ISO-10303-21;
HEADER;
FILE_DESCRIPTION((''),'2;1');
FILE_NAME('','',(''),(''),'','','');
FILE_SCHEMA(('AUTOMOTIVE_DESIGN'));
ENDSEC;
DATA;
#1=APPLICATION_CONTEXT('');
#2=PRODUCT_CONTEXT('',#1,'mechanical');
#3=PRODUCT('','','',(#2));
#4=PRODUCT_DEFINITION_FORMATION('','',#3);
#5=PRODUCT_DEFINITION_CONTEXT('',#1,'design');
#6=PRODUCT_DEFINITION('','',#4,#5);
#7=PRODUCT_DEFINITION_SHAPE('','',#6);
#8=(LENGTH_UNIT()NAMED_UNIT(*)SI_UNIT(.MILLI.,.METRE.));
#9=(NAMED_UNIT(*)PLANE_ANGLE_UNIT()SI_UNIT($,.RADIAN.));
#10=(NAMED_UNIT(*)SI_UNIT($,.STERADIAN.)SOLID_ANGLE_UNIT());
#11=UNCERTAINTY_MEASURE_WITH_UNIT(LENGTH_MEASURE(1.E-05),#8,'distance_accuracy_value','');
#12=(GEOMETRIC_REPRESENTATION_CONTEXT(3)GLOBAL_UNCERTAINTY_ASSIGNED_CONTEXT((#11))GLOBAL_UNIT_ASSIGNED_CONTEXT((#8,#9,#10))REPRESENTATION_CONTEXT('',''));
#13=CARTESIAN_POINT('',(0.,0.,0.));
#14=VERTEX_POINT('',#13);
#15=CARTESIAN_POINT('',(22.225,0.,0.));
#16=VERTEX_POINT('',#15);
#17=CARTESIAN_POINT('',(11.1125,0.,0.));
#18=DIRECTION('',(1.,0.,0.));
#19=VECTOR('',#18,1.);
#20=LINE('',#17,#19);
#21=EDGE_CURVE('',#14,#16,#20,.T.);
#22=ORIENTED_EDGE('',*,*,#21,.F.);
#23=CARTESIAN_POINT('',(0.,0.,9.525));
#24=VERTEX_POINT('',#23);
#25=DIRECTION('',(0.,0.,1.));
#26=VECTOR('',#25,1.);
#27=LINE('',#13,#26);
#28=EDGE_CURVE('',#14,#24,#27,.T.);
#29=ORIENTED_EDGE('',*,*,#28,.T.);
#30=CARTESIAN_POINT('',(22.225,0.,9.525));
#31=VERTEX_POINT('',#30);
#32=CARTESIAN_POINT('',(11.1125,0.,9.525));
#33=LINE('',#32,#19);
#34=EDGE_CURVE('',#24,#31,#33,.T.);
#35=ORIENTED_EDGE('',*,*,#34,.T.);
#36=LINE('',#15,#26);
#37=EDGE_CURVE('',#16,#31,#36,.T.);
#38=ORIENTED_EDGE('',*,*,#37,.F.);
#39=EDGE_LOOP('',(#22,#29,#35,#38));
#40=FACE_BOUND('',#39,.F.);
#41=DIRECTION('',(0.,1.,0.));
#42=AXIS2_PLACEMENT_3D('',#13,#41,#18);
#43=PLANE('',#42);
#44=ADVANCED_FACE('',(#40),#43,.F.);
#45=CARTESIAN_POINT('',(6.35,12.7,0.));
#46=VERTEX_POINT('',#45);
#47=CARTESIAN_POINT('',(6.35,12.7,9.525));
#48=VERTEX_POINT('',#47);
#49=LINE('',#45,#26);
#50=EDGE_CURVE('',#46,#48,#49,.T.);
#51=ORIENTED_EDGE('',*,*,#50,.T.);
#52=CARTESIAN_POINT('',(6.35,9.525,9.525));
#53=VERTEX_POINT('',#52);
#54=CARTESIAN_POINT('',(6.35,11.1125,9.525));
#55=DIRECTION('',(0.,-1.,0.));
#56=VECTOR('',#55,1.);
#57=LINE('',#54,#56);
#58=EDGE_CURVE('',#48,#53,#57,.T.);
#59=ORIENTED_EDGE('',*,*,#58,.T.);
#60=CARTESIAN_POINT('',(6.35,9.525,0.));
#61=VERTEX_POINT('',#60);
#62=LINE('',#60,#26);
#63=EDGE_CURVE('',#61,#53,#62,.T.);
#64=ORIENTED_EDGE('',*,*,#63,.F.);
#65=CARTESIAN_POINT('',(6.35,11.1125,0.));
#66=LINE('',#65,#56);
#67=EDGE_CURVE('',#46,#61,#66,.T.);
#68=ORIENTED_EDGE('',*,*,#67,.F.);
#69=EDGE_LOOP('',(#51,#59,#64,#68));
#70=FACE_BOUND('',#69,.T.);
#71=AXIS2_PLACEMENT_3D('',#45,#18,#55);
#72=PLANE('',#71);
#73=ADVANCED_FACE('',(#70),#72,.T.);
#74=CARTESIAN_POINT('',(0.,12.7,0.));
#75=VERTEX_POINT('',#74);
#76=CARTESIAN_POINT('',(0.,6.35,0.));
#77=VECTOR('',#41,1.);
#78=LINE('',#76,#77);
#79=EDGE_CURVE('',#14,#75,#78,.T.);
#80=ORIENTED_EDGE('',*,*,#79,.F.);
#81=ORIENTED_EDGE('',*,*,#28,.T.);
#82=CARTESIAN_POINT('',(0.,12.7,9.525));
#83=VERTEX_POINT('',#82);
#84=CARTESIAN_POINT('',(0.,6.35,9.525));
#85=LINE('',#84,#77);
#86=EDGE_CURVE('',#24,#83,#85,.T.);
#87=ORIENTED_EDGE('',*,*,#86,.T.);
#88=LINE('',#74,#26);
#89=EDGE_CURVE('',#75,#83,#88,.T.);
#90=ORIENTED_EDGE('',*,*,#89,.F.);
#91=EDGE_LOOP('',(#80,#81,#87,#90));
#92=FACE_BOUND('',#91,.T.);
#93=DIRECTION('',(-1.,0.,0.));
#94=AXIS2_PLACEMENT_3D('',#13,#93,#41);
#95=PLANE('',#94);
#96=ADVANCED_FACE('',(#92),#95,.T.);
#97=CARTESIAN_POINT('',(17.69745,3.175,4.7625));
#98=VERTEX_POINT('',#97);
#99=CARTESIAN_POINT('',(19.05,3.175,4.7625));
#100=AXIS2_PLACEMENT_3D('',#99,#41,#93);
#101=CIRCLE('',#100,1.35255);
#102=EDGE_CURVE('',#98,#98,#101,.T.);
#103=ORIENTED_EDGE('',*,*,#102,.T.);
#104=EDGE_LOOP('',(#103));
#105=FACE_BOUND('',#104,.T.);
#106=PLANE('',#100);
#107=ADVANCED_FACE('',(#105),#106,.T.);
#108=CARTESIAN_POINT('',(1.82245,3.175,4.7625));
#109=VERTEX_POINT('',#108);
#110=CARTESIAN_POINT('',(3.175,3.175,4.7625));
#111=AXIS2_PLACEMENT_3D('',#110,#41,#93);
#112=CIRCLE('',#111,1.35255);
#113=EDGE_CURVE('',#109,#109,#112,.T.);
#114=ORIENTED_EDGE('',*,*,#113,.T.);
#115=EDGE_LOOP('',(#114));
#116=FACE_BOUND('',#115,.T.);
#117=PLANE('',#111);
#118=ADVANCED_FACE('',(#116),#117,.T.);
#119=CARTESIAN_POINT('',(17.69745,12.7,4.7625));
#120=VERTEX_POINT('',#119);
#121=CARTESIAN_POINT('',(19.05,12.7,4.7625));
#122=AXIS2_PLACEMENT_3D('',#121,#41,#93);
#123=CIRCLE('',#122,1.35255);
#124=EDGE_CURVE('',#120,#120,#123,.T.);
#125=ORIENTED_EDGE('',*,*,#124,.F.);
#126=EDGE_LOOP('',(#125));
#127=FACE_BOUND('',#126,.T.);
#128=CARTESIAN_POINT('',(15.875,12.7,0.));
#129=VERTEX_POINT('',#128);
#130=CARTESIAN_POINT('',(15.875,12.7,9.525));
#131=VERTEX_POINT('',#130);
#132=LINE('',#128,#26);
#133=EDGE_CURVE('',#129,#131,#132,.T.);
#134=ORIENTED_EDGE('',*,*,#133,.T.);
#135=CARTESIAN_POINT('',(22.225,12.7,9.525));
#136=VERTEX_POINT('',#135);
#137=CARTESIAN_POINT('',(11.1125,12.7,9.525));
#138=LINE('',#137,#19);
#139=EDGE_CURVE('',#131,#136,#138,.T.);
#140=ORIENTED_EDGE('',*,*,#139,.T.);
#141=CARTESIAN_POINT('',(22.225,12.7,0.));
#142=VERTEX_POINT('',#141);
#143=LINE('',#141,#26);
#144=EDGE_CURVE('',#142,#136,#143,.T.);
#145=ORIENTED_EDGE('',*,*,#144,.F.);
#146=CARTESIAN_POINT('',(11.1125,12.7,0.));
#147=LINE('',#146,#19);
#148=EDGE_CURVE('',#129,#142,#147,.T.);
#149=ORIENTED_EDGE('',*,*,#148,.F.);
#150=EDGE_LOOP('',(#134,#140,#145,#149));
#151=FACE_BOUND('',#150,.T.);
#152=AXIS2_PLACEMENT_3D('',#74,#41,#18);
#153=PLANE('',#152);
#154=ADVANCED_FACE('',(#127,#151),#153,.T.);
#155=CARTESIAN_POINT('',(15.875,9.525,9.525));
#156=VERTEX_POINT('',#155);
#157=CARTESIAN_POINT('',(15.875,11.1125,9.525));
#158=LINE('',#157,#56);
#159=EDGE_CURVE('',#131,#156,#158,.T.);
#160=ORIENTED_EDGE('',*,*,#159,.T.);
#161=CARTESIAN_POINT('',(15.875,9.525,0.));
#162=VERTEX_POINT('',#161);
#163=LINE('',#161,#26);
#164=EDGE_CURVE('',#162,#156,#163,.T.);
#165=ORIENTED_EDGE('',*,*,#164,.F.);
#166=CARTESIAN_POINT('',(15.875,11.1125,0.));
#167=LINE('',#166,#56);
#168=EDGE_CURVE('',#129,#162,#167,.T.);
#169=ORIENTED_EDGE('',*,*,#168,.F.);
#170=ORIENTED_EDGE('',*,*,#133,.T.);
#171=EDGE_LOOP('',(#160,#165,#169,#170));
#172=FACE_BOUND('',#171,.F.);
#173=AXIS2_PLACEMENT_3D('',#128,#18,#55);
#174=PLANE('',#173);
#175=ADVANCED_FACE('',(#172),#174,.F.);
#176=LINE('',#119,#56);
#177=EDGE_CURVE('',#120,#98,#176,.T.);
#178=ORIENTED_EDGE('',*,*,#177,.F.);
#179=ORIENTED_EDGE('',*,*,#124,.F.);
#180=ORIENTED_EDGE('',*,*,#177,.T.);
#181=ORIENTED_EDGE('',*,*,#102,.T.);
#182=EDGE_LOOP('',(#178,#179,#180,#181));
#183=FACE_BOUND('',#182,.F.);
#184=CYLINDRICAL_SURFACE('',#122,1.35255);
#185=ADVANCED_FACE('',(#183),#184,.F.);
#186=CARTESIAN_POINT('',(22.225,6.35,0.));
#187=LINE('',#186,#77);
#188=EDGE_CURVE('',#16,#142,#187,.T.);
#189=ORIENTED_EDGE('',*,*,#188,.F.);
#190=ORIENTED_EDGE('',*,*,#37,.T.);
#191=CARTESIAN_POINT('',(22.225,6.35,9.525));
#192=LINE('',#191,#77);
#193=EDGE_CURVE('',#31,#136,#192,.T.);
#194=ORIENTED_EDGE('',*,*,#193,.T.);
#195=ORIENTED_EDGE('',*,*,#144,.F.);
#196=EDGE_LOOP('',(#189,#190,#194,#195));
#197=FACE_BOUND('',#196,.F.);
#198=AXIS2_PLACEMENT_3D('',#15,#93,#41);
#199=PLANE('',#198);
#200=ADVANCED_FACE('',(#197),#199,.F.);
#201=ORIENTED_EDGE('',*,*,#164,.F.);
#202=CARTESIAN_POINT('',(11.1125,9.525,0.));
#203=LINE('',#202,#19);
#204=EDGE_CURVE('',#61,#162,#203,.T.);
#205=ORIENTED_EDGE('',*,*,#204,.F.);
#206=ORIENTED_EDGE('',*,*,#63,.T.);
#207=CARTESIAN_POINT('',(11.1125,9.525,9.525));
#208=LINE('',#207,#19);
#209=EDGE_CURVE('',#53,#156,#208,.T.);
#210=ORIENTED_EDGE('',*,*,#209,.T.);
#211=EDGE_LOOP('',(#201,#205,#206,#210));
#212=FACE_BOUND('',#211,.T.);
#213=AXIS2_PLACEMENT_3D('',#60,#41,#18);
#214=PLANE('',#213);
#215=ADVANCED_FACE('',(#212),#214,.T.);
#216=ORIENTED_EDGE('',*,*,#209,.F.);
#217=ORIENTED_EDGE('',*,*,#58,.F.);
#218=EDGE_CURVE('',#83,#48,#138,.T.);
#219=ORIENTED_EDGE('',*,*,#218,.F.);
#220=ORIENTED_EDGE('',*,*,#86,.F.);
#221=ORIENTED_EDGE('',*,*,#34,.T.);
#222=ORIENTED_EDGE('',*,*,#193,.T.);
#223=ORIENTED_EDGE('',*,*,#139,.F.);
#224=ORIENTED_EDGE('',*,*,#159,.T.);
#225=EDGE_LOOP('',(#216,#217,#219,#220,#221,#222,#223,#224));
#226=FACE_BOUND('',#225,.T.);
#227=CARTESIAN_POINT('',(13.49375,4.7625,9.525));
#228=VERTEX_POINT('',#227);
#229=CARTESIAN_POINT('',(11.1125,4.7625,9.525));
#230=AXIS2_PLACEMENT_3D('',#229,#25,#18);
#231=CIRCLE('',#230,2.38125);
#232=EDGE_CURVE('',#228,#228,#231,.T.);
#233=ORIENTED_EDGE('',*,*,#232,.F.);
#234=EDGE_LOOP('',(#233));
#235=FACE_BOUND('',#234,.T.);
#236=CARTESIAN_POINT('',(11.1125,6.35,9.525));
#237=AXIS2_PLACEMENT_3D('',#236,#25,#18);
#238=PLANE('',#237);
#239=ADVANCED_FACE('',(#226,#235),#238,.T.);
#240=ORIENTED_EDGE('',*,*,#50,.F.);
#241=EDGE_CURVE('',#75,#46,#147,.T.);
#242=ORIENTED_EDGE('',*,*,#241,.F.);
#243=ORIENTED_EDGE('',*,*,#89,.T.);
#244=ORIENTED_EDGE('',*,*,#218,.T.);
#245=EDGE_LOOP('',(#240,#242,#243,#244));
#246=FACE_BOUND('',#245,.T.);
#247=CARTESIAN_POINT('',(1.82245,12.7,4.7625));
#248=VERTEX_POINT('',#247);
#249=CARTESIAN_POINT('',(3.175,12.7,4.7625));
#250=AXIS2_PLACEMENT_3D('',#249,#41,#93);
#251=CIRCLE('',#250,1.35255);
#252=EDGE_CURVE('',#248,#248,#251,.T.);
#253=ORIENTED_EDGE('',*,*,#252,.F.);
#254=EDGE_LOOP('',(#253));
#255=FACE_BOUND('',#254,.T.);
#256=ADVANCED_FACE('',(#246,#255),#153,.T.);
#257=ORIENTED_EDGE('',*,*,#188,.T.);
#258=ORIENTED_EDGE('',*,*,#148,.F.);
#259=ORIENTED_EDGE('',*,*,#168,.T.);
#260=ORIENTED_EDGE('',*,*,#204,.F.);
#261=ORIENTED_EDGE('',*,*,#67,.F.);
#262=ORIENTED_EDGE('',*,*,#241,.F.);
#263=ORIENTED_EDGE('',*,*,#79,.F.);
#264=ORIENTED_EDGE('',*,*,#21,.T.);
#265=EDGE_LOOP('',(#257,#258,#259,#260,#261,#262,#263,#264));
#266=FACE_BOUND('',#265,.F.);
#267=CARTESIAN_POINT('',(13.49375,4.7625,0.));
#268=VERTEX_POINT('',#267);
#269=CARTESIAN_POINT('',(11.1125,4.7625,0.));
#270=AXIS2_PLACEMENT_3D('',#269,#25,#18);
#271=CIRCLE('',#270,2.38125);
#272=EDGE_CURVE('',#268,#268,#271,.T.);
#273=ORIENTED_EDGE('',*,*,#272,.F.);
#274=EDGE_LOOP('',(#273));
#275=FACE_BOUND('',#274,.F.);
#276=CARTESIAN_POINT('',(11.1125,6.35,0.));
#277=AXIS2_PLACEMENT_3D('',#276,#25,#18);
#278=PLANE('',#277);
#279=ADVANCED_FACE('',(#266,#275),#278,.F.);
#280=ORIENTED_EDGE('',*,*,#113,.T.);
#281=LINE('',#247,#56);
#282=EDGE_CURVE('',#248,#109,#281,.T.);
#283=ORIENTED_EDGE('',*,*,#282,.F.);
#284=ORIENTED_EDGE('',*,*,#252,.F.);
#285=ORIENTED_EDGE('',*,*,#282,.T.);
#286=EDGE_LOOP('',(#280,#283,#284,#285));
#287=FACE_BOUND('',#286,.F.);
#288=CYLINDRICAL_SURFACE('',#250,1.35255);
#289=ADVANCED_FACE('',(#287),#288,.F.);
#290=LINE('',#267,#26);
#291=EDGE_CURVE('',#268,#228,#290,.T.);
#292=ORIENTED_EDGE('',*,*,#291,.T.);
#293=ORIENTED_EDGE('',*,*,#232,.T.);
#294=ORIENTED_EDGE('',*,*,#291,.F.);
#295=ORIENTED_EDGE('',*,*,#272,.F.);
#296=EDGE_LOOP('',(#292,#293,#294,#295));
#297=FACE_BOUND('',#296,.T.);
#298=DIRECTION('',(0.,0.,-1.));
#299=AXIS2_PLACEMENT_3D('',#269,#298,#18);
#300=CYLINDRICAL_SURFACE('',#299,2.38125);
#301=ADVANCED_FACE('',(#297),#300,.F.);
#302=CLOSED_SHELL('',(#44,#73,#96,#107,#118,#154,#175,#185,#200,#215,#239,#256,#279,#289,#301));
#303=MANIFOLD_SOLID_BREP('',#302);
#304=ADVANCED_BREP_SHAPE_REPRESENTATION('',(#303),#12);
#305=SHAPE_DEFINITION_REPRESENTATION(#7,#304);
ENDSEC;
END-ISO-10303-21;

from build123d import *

# Parameters (mm, degrees)
F0_W     = 22.225
F0_H     = 12.7
F0_R     = 2.38125
F1_DEPTH = 9.525
F2_R     = 1.35255
F3_DEPTH = 9.525
F4_W     = 9.525
F4_H     = 3.175
F5_DEPTH = 9.525


with BuildPart() as f1:
    # F0 (on Top) → F1 (new body)
    with BuildSketch(Plane.XY):
        with Locations((11.1125, 6.35)):
            Rectangle(F0_W, F0_H)
        with Locations((11.1125, 4.7625)):
            Circle(F0_R, mode=Mode.SUBTRACT)
    extrude(amount=F1_DEPTH)

    # F2 (on face) → F3 (cut)
    with BuildSketch(Plane(origin=(0, 12.7, 0), x_dir=(-1, 0, 0), z_dir=(0, 1, 0))):
        with Locations((-3.175, 4.7625)):
            Circle(F2_R)
        with Locations((-19.05, 4.7625)):
            Circle(F2_R)
    extrude(amount=-F3_DEPTH, mode=Mode.SUBTRACT)

    # F4 (on face) → F5 (cut, through all)
    with BuildSketch(Plane(origin=(0, 0, 0), x_dir=(1, 0, 0), z_dir=(0, 0, -1))):
        with Locations((11.1125, -11.1125)):
            Rectangle(F4_W, F4_H)
    extrude(amount=-F5_DEPTH, mode=Mode.SUBTRACT)


solid = f1.part
